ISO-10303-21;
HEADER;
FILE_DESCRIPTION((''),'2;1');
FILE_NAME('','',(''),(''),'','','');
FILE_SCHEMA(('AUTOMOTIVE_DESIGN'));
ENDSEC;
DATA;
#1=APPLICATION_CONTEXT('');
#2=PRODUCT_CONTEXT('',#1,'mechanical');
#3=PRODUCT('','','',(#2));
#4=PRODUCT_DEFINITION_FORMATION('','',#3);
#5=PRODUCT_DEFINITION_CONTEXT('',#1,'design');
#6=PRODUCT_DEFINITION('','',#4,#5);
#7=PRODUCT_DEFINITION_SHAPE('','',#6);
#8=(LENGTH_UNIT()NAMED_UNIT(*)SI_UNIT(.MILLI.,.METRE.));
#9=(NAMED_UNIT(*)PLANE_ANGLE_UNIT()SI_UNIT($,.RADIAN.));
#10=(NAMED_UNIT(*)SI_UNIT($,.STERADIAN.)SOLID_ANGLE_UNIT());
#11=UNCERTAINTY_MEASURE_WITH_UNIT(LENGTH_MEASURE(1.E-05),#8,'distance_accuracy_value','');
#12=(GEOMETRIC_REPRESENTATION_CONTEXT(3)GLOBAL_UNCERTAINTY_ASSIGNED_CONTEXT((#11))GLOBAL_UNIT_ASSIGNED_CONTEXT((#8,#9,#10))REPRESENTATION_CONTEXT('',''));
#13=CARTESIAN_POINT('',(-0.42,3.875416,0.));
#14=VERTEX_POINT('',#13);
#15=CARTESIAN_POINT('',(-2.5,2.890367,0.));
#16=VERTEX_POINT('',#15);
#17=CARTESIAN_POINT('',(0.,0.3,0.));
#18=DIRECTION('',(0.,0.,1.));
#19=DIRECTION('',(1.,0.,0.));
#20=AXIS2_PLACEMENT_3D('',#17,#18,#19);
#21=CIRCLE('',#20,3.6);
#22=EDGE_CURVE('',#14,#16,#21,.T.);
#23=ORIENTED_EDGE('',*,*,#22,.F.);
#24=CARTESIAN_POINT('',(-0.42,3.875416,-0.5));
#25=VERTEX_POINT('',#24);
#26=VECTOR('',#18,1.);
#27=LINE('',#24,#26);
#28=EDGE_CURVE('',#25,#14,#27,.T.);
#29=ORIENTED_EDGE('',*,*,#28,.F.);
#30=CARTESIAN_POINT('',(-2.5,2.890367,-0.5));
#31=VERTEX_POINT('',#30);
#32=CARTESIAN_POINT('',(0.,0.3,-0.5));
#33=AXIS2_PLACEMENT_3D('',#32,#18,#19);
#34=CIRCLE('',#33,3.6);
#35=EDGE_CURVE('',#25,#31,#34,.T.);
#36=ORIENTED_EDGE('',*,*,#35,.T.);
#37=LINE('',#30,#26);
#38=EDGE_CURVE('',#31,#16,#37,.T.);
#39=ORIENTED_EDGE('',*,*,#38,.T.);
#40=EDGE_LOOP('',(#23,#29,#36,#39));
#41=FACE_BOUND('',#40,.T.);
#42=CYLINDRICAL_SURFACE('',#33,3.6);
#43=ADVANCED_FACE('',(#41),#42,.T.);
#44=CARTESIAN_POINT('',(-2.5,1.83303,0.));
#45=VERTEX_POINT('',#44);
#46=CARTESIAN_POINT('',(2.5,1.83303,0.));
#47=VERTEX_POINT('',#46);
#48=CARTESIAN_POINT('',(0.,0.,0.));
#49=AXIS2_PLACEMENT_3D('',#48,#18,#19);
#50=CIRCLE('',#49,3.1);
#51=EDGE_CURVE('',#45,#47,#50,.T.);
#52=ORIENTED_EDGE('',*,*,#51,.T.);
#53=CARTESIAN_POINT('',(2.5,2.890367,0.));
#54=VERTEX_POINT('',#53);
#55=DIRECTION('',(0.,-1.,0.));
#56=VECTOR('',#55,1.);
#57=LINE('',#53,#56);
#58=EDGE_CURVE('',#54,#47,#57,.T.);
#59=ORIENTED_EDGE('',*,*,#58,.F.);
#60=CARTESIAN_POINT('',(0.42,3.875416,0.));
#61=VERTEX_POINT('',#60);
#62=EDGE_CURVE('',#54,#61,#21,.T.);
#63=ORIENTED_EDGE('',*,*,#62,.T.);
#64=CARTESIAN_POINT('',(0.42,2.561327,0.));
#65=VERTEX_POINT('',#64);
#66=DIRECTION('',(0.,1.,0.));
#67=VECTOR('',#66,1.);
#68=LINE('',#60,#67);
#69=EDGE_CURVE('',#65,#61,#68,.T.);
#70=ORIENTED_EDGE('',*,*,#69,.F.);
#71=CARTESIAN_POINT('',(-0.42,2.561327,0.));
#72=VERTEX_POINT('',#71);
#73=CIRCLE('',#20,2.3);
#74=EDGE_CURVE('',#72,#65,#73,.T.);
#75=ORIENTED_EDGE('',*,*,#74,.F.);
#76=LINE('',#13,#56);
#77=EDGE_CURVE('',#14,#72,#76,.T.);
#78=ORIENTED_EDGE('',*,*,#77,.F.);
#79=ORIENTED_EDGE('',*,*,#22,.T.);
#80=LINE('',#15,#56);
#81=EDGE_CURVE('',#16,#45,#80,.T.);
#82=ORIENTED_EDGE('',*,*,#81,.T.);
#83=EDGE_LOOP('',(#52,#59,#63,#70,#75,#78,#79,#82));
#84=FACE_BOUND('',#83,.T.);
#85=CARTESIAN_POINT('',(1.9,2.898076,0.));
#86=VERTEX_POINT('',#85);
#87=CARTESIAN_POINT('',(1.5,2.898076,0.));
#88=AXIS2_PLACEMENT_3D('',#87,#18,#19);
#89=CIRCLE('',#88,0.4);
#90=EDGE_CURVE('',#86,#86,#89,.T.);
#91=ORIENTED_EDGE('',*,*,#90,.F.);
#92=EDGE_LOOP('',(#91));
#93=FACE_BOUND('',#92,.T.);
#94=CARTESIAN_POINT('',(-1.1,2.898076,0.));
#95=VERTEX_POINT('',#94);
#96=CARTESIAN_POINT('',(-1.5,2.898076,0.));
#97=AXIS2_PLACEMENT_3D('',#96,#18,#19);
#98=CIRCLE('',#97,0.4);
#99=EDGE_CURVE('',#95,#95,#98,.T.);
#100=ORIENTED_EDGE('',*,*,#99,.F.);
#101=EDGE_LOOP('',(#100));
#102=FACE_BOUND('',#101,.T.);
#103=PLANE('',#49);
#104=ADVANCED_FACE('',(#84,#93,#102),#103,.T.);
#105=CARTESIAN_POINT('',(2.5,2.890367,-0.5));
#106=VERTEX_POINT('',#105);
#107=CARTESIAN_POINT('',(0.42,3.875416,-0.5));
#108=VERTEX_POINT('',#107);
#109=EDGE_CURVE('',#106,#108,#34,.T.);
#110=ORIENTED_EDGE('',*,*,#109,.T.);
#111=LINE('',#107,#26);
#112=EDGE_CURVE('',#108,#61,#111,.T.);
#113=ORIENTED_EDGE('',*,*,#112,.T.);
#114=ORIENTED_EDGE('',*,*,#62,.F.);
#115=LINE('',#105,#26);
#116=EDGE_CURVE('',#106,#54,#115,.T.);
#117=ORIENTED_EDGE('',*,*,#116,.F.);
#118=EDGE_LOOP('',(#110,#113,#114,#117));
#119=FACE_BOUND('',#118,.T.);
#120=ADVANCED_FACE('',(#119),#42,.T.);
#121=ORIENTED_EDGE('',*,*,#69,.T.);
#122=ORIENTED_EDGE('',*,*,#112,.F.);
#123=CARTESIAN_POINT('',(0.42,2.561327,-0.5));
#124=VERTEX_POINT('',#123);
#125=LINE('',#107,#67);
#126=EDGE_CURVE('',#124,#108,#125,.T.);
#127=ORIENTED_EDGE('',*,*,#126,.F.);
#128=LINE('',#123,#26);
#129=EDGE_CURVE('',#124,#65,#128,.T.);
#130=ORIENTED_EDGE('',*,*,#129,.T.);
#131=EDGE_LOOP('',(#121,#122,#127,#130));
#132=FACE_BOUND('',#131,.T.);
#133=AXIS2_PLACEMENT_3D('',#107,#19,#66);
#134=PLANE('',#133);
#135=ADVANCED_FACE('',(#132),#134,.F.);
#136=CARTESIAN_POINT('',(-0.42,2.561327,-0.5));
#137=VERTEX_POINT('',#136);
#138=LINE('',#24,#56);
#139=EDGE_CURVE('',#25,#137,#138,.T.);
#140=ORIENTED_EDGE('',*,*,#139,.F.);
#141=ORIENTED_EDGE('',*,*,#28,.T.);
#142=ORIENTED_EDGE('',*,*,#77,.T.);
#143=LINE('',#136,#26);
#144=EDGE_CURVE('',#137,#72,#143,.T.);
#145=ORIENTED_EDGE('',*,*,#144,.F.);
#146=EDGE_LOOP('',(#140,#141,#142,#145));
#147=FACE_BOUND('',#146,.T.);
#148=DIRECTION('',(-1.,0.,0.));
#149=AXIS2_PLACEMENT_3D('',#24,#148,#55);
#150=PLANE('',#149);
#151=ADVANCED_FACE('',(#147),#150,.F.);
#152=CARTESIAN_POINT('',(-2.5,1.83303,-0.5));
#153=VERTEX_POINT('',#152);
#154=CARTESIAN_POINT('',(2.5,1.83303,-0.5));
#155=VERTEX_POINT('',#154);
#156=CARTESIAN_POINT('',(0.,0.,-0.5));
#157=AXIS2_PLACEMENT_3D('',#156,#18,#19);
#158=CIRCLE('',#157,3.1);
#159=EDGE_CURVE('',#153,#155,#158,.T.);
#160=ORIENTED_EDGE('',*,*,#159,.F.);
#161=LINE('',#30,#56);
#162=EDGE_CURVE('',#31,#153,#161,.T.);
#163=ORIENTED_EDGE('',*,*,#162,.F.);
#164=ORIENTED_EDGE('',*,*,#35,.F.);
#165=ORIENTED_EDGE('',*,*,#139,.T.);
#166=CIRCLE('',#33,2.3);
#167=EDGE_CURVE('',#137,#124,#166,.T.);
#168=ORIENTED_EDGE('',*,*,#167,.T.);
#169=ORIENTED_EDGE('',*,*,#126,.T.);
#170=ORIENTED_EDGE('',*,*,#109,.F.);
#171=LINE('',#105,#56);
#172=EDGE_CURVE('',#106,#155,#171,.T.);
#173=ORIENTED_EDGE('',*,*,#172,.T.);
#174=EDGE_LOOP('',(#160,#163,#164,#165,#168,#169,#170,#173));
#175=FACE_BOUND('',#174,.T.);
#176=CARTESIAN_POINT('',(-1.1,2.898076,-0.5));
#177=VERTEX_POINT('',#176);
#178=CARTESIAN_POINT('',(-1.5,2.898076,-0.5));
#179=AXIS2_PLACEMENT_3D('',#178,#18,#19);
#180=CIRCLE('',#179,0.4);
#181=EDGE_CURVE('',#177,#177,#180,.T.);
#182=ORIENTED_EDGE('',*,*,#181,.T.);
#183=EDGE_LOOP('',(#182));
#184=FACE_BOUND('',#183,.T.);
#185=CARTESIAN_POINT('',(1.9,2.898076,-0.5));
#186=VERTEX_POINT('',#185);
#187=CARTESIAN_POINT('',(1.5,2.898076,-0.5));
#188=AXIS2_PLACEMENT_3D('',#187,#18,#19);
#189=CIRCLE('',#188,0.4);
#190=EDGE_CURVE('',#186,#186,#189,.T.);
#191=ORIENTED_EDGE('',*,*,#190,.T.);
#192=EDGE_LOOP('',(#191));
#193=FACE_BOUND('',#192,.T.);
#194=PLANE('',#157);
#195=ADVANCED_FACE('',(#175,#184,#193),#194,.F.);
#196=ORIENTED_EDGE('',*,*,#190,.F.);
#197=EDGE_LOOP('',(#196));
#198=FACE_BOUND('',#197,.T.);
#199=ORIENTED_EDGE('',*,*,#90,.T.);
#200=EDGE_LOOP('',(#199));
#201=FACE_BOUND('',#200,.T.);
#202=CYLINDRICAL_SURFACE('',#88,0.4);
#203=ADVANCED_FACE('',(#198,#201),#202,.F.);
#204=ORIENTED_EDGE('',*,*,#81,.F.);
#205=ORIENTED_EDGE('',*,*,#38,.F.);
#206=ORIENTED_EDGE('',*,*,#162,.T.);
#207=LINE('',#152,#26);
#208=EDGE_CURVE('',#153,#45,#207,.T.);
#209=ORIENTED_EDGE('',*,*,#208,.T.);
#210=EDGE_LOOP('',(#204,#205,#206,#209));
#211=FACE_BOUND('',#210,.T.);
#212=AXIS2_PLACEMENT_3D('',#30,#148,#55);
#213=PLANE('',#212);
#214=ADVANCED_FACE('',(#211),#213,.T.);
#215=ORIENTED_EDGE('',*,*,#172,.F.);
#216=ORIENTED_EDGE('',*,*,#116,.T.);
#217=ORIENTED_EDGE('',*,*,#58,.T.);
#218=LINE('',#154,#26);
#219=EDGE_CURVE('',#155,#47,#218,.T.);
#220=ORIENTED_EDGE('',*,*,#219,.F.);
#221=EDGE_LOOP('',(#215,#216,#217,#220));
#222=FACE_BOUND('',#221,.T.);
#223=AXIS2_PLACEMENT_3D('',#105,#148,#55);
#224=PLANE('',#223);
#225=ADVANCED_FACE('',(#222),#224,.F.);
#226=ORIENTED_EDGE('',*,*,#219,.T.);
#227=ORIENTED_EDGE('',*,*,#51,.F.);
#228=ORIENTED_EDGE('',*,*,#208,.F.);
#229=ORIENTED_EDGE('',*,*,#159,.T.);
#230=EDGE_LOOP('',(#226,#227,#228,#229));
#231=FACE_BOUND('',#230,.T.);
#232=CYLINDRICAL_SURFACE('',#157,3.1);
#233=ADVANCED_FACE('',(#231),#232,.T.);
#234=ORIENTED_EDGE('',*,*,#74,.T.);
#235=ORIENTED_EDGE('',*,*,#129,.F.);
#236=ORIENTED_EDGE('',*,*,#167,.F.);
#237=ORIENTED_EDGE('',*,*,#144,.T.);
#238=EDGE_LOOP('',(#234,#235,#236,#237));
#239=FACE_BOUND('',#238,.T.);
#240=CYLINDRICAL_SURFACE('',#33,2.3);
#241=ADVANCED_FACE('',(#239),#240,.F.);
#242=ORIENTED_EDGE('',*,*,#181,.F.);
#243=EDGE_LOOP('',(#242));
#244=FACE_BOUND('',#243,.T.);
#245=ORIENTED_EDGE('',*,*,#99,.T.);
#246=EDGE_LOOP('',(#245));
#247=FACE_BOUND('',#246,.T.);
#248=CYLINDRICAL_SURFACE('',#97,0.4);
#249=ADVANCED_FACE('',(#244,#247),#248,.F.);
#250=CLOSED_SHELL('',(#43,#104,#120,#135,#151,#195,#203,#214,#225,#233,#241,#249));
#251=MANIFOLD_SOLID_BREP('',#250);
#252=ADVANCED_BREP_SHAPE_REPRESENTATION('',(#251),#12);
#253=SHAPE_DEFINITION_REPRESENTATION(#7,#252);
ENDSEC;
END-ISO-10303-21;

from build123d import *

# Parameters (mm, degrees)
BOSS_EXTRUDE1_DEPTH            = 0.5
SKETCH2_R                      = 2.3
CUT_EXTRUDE1_DEPTH             = 1.5
CUT_EXTRUDE2_DEPTH             = 1.5
F_0_8_0_8_DIAMETER_HOLE1_D     = 0.8
F_0_8_0_8_DIAMETER_HOLE1_DEPTH = 0.5


with BuildPart() as part:
    # Sketch1 → Boss-Extrude1 (new body)
    with BuildSketch(Plane.XY):
        with BuildLine():
            Line((-2.5, 2.890366769), (-2.5, 1.833030278))
            ThreePointArc((-2.5, 1.833030278), (0, -3.1), (2.5, 1.833030278))
            Line((2.5, 1.833030278), (2.5, 2.890366769))
            ThreePointArc((2.5, 2.890366769), (0, 3.9), (-2.5, 2.890366769))
        make_face()
    extrude(amount=-BOSS_EXTRUDE1_DEPTH)

    # Sketch2 → Cut-Extrude1 (cut, through all)
    with BuildSketch(Plane.XY):
        with Locations((0, 0.3)):
            Circle(SKETCH2_R)
    extrude(amount=-CUT_EXTRUDE1_DEPTH, mode=Mode.SUBTRACT)

    # Sketch3 → Cut-Extrude2 (cut, through all)
    with BuildSketch(Plane.XY):
        with BuildLine():
            Line((-0.42, 3.87541606), (-0.42, 2.561327044))
            ThreePointArc((-0.42, 2.561327044), (0, 2.6), (0.42, 2.561327044))
            Line((0.42, 2.561327044), (0.42, 3.87541606))
            ThreePointArc((0.42, 3.87541606), (0, 3.9), (-0.42, 3.87541606))
        make_face()
    extrude(amount=-CUT_EXTRUDE2_DEPTH, mode=Mode.SUBTRACT)

    # Ø0.8 (0.8) Diameter Hole1
    with Locations(Plane.XY):
        with Locations((-1.5, 2.898076211), (1.5, 2.898076211)):
            Hole(F_0_8_0_8_DIAMETER_HOLE1_D / 2, depth=F_0_8_0_8_DIAMETER_HOLE1_DEPTH)


solid = part.part
